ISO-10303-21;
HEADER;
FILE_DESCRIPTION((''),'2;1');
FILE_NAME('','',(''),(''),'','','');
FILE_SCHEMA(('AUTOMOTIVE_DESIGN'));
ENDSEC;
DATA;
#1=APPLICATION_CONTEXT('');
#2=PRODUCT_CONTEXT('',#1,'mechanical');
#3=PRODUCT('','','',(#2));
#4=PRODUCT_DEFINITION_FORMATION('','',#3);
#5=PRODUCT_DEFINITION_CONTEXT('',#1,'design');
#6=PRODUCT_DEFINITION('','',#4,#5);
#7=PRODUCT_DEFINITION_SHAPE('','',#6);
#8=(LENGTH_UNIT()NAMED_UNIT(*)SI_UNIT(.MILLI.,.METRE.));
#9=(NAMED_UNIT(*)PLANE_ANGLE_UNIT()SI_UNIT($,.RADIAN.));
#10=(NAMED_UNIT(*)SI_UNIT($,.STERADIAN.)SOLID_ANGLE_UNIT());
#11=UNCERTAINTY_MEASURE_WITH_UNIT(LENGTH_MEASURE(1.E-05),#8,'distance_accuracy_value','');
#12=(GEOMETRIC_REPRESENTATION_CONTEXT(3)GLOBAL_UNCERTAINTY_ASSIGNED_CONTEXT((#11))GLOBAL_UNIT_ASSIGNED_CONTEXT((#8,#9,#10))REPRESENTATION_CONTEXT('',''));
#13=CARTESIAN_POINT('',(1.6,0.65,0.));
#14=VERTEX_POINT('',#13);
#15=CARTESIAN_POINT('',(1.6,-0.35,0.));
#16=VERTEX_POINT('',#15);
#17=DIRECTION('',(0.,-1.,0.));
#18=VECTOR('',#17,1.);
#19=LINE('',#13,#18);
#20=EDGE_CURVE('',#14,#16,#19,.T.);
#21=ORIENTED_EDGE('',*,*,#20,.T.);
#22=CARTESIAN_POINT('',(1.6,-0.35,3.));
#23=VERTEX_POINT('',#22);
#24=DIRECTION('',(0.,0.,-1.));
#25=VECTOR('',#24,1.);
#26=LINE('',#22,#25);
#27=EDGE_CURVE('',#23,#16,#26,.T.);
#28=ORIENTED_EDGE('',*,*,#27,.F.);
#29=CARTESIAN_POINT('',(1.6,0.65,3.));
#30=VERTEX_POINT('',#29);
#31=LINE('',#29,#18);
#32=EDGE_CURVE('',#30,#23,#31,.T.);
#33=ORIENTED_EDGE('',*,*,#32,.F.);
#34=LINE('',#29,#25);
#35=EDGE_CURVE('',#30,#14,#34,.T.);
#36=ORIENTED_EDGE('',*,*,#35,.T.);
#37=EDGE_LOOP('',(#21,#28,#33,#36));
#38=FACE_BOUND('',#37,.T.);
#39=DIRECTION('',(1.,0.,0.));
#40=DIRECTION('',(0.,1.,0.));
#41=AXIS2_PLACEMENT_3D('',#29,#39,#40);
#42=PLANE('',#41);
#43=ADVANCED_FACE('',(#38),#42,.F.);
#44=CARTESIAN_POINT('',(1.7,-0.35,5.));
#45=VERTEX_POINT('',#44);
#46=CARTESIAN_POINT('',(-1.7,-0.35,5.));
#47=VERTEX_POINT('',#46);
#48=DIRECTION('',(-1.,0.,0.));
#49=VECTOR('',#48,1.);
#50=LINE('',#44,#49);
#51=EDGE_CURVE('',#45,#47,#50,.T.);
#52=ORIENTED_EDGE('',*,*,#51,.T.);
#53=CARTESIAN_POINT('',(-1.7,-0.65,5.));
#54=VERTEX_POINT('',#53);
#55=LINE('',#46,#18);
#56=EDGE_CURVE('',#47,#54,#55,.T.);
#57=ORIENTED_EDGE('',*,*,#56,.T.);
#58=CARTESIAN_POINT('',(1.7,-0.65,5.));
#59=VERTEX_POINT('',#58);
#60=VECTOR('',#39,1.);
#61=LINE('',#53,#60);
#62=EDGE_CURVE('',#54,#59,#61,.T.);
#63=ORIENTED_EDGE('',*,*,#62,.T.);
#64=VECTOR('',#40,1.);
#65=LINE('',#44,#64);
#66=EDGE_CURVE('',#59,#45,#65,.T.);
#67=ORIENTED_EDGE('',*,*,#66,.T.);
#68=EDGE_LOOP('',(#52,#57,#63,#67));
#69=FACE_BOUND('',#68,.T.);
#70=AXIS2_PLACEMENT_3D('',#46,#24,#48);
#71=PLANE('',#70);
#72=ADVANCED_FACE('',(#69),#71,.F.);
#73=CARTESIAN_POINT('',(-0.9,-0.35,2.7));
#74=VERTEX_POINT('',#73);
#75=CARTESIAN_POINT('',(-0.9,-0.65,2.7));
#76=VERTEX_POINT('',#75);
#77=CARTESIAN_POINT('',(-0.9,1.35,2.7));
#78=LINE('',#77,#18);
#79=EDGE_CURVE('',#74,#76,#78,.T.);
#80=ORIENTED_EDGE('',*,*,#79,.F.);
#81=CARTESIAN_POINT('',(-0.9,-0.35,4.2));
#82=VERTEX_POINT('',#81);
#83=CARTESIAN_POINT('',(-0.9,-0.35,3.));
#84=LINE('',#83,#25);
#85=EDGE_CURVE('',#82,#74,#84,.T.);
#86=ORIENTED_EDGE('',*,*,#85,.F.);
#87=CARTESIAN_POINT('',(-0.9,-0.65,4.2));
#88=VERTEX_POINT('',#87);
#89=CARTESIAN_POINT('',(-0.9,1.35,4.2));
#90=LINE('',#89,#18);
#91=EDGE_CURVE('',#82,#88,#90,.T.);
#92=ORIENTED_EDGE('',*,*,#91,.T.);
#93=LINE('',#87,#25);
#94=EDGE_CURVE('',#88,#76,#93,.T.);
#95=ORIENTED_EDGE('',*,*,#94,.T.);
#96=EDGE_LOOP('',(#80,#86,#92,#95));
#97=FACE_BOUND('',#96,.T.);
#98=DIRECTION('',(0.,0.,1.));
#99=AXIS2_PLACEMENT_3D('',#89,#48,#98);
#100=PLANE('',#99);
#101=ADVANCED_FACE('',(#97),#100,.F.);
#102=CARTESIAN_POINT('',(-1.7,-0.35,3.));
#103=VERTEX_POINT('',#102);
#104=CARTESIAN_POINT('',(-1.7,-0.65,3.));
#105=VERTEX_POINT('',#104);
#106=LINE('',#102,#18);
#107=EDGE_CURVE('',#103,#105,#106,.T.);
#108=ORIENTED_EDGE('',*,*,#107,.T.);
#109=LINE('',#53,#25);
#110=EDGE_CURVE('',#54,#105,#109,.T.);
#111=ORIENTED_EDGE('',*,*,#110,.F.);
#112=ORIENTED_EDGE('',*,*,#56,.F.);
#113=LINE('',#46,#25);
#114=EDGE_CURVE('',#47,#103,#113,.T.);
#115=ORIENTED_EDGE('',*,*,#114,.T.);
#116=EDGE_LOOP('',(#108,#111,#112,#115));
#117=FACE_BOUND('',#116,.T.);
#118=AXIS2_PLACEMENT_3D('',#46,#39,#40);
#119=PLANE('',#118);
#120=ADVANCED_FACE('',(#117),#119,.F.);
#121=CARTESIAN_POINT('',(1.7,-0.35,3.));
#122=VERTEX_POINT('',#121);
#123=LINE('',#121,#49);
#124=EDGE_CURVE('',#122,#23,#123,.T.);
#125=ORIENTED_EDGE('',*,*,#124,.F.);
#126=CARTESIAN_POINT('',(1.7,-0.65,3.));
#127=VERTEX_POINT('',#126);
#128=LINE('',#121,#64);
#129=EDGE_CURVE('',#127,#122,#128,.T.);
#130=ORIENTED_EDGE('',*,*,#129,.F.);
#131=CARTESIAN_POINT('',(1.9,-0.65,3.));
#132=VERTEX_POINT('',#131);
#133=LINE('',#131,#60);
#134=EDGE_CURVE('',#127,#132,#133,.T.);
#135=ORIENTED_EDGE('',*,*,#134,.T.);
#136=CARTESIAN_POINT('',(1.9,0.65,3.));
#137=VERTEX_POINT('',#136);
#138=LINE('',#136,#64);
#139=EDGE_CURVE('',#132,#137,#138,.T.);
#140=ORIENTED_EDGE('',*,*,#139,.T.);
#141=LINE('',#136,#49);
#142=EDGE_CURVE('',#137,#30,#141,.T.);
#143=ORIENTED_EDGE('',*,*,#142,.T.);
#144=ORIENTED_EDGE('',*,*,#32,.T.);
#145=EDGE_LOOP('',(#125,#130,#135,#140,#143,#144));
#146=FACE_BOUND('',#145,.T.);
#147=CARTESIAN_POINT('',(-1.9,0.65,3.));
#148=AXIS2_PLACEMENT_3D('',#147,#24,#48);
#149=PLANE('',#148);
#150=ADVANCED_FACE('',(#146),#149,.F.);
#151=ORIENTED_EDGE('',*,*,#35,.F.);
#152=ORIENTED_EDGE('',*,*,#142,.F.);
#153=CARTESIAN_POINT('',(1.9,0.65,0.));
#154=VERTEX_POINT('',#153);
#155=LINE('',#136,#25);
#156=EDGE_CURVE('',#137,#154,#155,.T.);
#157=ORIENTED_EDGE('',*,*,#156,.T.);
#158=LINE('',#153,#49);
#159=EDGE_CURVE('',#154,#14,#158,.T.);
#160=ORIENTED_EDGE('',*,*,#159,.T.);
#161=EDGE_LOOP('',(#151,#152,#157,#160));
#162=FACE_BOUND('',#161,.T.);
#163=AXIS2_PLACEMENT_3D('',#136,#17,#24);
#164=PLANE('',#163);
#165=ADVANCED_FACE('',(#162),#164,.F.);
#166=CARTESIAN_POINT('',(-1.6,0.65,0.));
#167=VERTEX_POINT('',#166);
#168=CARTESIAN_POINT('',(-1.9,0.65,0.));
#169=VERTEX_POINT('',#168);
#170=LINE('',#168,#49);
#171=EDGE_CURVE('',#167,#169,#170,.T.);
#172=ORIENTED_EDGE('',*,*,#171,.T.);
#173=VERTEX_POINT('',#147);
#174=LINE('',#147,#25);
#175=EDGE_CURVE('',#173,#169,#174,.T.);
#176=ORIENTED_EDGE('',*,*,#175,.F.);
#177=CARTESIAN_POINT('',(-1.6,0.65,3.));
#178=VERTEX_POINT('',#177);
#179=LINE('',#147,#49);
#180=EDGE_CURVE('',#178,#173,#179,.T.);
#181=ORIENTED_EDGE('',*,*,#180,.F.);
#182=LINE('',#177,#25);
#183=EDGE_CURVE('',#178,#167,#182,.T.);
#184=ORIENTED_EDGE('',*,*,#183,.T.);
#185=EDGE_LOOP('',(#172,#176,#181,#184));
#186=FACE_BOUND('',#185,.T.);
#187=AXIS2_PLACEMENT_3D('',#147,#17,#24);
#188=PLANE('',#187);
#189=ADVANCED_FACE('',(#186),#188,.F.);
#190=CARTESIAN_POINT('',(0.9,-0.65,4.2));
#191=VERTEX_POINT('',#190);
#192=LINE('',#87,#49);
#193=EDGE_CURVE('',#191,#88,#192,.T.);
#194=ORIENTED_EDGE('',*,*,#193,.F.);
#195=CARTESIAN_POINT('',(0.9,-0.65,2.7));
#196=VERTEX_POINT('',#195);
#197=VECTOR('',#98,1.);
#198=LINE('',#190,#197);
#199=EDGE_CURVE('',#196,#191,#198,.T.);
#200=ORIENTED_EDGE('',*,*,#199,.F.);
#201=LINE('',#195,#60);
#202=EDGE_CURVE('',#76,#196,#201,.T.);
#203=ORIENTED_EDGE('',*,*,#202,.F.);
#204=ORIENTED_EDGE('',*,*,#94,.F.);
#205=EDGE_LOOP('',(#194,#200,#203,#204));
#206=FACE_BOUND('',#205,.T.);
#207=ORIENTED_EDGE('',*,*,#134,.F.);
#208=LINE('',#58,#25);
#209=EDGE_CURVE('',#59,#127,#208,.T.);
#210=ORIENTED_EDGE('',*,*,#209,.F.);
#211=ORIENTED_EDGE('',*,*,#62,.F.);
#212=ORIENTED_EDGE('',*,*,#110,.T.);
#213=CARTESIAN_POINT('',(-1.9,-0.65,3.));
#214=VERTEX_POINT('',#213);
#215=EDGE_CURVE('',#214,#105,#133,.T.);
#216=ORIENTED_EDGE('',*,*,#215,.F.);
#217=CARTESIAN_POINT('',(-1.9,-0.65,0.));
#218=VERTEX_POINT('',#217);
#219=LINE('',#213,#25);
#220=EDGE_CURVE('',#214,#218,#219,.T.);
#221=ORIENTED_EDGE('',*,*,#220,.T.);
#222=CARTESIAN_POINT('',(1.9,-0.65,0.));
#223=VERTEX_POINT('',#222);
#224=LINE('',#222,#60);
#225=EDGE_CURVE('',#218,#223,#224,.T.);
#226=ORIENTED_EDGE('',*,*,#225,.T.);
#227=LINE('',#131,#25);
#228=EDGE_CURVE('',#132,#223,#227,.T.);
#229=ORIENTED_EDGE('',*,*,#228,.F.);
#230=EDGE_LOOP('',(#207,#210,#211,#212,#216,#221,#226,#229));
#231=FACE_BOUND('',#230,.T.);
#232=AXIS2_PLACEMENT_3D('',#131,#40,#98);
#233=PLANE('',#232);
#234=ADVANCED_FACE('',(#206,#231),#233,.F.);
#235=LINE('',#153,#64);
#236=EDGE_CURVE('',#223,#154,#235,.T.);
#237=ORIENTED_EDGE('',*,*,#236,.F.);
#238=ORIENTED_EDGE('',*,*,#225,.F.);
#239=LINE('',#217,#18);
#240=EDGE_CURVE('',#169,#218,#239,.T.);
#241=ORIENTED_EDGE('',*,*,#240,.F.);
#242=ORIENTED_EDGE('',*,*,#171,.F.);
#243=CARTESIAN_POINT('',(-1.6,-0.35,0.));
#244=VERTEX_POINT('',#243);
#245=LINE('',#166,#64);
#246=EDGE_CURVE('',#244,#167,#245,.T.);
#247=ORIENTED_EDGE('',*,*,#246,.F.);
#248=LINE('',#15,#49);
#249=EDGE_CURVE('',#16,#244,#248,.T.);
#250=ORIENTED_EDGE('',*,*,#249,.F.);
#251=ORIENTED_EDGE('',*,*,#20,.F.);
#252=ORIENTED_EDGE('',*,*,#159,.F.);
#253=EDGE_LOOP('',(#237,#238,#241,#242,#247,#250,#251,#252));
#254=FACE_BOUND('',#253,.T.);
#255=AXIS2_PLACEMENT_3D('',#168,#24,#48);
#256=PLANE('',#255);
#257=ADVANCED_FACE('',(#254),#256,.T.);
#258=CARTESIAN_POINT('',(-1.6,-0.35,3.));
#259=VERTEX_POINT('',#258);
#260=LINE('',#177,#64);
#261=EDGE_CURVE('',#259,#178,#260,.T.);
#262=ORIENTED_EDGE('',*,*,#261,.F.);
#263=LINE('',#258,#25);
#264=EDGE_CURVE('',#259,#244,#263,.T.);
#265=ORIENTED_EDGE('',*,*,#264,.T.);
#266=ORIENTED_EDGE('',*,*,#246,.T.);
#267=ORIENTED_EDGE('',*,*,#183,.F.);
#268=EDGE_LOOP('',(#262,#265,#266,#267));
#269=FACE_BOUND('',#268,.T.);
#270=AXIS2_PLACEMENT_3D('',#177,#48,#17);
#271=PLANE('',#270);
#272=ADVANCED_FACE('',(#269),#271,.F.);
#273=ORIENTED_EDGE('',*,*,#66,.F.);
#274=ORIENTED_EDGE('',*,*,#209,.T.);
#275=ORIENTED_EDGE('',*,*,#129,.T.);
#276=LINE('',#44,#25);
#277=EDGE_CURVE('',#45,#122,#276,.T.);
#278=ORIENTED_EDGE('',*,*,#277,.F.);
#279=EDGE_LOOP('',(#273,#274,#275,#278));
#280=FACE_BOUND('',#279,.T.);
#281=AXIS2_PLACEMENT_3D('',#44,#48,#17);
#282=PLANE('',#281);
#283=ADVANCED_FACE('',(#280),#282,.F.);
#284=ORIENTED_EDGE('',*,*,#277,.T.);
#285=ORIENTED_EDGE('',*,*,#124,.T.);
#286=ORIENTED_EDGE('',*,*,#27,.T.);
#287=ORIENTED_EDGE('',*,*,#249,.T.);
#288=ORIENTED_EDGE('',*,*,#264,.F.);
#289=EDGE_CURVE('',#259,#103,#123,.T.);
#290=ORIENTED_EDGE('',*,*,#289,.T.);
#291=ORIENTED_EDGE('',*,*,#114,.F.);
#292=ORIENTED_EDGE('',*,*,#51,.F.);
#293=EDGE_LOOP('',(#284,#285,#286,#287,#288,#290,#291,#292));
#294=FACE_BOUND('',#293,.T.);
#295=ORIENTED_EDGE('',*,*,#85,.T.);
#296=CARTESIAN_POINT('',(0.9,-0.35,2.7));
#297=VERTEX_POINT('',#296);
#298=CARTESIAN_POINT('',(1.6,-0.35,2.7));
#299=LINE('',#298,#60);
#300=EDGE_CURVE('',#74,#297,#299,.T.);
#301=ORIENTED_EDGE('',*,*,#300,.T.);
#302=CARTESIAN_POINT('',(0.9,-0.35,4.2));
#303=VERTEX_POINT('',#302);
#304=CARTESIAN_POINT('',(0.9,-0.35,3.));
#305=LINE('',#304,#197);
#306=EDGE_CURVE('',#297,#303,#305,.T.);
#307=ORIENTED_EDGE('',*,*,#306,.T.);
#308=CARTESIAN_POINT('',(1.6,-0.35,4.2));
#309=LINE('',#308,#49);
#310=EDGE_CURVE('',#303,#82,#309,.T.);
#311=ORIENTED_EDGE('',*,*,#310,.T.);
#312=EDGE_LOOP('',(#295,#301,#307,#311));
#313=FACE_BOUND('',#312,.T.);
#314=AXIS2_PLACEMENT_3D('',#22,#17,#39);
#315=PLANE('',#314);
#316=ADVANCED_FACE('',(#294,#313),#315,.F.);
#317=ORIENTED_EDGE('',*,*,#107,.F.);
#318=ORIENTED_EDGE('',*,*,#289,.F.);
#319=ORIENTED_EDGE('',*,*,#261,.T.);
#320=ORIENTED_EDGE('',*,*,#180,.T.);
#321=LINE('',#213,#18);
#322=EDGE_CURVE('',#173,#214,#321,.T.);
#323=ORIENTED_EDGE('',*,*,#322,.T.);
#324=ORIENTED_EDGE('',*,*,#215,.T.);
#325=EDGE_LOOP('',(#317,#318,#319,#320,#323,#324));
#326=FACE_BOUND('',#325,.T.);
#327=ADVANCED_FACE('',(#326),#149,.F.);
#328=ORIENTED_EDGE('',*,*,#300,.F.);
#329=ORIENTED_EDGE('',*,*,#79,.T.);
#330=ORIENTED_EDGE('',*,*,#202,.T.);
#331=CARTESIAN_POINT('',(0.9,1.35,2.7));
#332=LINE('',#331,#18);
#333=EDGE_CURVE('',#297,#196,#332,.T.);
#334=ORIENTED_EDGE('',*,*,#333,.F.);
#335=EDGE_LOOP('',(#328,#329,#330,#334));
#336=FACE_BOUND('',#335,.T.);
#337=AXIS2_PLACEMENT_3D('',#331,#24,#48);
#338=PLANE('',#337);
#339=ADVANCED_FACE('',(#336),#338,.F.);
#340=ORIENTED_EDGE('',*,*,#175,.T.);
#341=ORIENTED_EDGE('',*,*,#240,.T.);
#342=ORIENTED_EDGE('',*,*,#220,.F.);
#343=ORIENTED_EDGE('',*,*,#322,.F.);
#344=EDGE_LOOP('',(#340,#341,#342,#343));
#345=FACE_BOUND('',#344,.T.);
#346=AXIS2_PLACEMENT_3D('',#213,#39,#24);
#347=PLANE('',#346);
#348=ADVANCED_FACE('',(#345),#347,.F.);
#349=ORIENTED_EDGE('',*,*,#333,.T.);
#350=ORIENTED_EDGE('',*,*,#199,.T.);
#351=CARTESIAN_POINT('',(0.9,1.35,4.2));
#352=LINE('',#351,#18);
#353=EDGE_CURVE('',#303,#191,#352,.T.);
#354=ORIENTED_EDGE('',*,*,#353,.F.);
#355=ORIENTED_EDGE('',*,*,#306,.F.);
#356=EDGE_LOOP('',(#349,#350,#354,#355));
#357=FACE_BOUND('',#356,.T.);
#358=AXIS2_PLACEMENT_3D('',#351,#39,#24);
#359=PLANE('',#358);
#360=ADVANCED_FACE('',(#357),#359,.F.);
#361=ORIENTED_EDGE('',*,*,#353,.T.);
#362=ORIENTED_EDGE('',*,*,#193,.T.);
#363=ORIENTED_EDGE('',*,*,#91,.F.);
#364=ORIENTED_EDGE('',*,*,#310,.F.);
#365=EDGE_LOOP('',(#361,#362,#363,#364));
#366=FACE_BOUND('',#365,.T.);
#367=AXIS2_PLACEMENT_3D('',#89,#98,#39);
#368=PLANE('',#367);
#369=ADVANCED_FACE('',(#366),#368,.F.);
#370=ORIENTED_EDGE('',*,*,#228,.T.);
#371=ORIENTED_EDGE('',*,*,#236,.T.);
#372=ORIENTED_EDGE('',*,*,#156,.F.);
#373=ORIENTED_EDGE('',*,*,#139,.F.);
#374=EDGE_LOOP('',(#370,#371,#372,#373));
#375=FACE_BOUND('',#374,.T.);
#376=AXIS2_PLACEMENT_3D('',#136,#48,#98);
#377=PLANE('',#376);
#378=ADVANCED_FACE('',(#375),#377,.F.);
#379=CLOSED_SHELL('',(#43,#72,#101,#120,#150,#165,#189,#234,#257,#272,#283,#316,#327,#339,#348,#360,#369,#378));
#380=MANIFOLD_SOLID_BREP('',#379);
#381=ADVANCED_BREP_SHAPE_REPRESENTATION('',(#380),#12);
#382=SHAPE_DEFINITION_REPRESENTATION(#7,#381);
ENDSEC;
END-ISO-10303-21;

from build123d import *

# Parameters (mm, degrees)
EXTRUDE_247_DEPTH     = 3
SKETCH8_W             = 3.4
SKETCH8_H             = 0.3
EXTRUDE_374_DEPTH     = 2
SKETCH9_W             = 1.8
SKETCH9_H             = 1.5
CUT_EXTRUDE_500_DEPTH = 2


with BuildPart() as part:
    # Sketch1 → Extrude 247 (new body)
    with BuildSketch(Plane.XY):
        Polygon((-1.9, 0.65), (-1.6, 0.65), (-1.6, -0.35), (1.6, -0.35), (1.6, 0.65), (1.9, 0.65), (1.9, -0.65), (-1.9, -0.65), align=None)
    extrude(amount=EXTRUDE_247_DEPTH)

    # Sketch8 → Extrude 374 (add)
    with BuildSketch(Plane.XY.offset(3)):
        with Locations((0, -0.5)):
            Rectangle(SKETCH8_W, SKETCH8_H)
    extrude(amount=EXTRUDE_374_DEPTH)

    # Sketch9 → Cut-Extrude 500 (cut)
    with BuildSketch(Plane.XZ.offset(0.65)):
        with Locations((0, 3.45)):
            Rectangle(SKETCH9_W, SKETCH9_H)
    extrude(amount=-CUT_EXTRUDE_500_DEPTH, mode=Mode.SUBTRACT)


solid = part.part
